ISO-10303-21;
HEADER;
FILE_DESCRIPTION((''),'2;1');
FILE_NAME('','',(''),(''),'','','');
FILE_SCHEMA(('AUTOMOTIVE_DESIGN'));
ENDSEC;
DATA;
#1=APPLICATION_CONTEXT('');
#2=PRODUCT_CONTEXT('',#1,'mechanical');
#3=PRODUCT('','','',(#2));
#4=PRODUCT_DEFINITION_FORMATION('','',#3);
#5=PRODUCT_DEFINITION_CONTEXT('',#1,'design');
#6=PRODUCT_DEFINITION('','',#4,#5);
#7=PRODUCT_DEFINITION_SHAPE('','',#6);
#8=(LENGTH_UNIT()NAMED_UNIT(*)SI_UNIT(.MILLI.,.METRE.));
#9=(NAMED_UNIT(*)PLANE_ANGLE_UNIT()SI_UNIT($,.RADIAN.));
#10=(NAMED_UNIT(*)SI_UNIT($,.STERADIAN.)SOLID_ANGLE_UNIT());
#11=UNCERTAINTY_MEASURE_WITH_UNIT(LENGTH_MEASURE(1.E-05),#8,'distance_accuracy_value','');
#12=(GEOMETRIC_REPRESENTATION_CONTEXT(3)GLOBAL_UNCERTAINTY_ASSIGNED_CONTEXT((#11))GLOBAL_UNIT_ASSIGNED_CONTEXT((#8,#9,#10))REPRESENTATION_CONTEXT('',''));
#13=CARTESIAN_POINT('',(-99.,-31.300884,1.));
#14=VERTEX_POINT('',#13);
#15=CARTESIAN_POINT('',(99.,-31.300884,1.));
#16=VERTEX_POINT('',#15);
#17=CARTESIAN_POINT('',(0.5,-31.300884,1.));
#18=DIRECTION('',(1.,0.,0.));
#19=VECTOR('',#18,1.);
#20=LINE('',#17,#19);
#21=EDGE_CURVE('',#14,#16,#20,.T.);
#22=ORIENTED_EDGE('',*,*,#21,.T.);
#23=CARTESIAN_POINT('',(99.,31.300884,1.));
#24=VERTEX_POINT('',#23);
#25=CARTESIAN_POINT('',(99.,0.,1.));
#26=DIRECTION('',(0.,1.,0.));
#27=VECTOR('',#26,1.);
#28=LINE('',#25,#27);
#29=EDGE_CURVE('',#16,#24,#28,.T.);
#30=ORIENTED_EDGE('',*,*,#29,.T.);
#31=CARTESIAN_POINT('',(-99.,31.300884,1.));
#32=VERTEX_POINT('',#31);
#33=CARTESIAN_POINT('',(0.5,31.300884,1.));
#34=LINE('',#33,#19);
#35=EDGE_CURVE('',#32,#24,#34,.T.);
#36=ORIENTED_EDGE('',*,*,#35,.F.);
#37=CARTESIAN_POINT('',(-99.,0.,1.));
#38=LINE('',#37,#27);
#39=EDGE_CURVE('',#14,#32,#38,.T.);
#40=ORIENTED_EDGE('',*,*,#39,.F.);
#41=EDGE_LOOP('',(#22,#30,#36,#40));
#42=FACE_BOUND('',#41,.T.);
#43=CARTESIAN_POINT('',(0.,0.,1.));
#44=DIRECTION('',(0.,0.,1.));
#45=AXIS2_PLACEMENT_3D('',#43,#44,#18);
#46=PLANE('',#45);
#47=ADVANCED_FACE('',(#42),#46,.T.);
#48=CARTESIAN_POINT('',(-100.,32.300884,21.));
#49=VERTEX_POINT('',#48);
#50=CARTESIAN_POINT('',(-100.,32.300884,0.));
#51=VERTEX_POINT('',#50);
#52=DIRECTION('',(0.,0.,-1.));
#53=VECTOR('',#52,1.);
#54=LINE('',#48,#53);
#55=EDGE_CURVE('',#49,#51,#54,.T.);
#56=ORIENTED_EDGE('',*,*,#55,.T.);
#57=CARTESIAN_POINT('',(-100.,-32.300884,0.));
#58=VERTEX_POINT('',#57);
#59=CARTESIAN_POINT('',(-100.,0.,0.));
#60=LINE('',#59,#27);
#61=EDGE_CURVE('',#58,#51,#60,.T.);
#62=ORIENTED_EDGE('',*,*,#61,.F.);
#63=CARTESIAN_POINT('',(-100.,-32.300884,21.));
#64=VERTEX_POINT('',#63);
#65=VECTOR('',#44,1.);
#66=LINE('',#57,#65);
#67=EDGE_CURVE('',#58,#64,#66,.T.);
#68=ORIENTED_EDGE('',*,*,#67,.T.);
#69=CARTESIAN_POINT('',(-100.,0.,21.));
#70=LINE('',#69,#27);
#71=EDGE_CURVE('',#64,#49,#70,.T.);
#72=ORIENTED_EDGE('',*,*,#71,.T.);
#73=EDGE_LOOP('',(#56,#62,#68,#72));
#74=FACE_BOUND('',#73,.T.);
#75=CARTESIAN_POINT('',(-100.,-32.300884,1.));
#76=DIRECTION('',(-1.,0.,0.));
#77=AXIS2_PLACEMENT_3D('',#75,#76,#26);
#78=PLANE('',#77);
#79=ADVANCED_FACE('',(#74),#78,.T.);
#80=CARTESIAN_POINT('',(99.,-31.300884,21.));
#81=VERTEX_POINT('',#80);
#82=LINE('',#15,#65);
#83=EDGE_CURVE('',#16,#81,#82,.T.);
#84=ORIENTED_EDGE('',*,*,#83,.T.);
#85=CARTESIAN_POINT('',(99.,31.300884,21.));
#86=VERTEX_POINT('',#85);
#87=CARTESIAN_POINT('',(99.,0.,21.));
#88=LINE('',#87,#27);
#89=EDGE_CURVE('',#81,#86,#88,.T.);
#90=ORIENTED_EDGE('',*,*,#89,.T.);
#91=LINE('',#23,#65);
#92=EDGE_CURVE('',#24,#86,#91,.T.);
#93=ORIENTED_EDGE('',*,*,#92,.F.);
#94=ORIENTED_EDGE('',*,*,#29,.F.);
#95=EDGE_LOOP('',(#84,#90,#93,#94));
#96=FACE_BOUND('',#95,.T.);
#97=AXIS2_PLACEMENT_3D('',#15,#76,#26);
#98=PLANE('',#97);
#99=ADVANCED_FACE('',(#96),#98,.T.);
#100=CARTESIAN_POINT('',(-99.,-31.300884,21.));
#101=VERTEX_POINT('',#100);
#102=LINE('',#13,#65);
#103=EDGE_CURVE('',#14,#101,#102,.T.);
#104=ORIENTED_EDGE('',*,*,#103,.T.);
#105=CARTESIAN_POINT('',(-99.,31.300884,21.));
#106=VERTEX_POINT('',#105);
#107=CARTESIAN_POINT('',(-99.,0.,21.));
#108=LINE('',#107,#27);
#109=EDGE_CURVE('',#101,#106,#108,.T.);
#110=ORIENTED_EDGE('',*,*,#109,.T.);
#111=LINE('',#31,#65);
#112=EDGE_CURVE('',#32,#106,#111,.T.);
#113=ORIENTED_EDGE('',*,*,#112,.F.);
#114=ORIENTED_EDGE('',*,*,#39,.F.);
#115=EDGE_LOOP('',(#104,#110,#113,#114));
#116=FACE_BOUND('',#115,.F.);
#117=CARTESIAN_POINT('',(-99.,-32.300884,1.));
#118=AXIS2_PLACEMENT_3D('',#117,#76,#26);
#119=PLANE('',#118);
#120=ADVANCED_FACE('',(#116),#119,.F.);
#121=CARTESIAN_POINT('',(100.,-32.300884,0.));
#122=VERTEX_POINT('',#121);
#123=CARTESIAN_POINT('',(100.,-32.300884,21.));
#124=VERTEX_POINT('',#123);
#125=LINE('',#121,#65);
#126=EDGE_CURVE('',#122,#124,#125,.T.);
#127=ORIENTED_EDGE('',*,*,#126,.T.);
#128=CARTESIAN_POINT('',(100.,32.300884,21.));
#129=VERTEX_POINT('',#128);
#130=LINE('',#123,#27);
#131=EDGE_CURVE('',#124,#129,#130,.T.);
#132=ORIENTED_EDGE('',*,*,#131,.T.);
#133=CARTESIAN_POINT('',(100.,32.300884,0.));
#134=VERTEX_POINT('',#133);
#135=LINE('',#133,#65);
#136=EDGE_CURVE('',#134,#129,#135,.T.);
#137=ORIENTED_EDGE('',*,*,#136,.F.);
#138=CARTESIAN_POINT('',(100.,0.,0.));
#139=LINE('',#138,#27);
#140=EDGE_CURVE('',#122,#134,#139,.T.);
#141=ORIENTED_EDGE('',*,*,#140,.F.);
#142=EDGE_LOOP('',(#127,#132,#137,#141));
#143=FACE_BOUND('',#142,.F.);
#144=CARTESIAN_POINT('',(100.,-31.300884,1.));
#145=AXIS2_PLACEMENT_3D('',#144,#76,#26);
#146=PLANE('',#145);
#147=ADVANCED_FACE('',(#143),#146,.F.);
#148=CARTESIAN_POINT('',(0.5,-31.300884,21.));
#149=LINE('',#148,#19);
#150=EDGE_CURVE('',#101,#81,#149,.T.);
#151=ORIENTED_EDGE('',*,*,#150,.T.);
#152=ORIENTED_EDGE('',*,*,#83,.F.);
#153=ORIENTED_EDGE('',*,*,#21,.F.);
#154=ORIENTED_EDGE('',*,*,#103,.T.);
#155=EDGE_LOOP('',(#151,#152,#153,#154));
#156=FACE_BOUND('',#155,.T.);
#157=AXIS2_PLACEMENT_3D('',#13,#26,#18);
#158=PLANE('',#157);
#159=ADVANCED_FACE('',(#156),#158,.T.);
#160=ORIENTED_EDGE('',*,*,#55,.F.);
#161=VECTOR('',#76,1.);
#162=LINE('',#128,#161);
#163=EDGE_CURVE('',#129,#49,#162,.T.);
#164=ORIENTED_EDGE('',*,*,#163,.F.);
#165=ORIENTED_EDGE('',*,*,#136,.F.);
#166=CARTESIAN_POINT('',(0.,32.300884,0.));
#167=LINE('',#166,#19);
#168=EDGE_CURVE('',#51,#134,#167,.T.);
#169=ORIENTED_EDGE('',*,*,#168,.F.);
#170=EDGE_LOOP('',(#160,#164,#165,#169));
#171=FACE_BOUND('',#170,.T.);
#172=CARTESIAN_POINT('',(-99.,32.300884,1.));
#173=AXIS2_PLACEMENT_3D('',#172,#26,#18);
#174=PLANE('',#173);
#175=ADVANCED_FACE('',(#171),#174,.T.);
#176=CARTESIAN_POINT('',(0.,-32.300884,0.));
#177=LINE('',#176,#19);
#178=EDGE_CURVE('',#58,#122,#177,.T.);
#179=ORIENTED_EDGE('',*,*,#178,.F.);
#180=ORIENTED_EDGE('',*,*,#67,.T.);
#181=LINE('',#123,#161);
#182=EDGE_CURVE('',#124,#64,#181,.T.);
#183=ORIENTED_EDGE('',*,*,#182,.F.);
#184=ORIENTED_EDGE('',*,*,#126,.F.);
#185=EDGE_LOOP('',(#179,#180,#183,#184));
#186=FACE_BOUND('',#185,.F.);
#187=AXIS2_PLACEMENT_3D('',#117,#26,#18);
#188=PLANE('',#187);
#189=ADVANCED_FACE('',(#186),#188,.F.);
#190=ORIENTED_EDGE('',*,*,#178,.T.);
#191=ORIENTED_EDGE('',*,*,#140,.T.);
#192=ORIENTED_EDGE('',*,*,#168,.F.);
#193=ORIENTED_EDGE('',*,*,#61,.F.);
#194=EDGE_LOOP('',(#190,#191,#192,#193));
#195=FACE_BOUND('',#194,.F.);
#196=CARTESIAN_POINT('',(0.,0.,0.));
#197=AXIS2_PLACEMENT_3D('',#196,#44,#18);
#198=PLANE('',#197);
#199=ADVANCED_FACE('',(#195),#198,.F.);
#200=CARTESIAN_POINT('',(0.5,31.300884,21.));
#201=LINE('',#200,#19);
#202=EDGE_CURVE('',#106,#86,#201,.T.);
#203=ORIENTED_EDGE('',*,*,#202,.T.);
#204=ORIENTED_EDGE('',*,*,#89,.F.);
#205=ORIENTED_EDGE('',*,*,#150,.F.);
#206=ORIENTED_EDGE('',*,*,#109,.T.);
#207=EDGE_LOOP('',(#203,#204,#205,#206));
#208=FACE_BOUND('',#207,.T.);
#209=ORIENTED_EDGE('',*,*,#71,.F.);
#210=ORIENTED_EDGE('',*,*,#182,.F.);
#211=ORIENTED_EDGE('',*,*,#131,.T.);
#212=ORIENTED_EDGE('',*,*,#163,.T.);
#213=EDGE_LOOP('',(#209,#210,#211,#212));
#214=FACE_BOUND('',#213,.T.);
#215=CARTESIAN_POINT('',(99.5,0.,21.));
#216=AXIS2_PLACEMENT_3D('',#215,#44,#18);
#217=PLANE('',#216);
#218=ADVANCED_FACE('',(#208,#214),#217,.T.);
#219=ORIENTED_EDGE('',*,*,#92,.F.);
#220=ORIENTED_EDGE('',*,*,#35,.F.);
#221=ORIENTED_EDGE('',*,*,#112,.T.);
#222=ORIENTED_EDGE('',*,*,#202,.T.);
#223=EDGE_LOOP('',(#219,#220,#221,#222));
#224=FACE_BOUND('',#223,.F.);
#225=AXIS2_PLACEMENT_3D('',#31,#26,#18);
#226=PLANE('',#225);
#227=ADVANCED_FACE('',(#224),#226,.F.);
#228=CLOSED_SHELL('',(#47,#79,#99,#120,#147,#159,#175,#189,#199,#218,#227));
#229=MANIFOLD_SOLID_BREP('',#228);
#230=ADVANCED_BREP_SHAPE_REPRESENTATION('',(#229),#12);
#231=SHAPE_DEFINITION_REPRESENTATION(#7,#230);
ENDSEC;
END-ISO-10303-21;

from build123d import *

# Parameters (mm, degrees)
F0_W     = 200
F0_H     = 64.601768
F1_DEPTH = 1
F2_W     = 1
F2_H     = 64.601768
F3_DEPTH = 20
F4_W     = 199
F4_H     = 1
F5_DEPTH = 20
F6_W     = 199
F6_H     = 1
F7_DEPTH = 20
F8_W     = 1
F8_H     = 62.601768
F9_DEPTH = 20


with BuildPart() as f1:
    # F0 (on Top) → F1 (new body)
    with BuildSketch(Plane.XY):
        Rectangle(F0_W, F0_H)
    extrude(amount=F1_DEPTH)

    # F2 (on face) → F3 (join)
    with BuildSketch(Plane.XY.offset(1)):
        with Locations((-99.5, 0)):
            Rectangle(F2_W, F2_H)
    extrude(amount=F3_DEPTH)

    # F4 (on face) → F5 (join)
    with BuildSketch(Plane.XY.offset(1)):
        with Locations((0.5, 31.800884)):
            Rectangle(F4_W, F4_H)
    extrude(amount=F5_DEPTH)

    # F6 (on face) → F7 (join)
    with BuildSketch(Plane.XY.offset(1)):
        with Locations((0.5, -31.800884)):
            Rectangle(F6_W, F6_H)
    extrude(amount=F7_DEPTH)

    # F8 (on face) → F9 (join)
    with BuildSketch(Plane.XY.offset(1)):
        with Locations((99.5, 0)):
            Rectangle(F8_W, F8_H)
    extrude(amount=F9_DEPTH)


solid = f1.part
